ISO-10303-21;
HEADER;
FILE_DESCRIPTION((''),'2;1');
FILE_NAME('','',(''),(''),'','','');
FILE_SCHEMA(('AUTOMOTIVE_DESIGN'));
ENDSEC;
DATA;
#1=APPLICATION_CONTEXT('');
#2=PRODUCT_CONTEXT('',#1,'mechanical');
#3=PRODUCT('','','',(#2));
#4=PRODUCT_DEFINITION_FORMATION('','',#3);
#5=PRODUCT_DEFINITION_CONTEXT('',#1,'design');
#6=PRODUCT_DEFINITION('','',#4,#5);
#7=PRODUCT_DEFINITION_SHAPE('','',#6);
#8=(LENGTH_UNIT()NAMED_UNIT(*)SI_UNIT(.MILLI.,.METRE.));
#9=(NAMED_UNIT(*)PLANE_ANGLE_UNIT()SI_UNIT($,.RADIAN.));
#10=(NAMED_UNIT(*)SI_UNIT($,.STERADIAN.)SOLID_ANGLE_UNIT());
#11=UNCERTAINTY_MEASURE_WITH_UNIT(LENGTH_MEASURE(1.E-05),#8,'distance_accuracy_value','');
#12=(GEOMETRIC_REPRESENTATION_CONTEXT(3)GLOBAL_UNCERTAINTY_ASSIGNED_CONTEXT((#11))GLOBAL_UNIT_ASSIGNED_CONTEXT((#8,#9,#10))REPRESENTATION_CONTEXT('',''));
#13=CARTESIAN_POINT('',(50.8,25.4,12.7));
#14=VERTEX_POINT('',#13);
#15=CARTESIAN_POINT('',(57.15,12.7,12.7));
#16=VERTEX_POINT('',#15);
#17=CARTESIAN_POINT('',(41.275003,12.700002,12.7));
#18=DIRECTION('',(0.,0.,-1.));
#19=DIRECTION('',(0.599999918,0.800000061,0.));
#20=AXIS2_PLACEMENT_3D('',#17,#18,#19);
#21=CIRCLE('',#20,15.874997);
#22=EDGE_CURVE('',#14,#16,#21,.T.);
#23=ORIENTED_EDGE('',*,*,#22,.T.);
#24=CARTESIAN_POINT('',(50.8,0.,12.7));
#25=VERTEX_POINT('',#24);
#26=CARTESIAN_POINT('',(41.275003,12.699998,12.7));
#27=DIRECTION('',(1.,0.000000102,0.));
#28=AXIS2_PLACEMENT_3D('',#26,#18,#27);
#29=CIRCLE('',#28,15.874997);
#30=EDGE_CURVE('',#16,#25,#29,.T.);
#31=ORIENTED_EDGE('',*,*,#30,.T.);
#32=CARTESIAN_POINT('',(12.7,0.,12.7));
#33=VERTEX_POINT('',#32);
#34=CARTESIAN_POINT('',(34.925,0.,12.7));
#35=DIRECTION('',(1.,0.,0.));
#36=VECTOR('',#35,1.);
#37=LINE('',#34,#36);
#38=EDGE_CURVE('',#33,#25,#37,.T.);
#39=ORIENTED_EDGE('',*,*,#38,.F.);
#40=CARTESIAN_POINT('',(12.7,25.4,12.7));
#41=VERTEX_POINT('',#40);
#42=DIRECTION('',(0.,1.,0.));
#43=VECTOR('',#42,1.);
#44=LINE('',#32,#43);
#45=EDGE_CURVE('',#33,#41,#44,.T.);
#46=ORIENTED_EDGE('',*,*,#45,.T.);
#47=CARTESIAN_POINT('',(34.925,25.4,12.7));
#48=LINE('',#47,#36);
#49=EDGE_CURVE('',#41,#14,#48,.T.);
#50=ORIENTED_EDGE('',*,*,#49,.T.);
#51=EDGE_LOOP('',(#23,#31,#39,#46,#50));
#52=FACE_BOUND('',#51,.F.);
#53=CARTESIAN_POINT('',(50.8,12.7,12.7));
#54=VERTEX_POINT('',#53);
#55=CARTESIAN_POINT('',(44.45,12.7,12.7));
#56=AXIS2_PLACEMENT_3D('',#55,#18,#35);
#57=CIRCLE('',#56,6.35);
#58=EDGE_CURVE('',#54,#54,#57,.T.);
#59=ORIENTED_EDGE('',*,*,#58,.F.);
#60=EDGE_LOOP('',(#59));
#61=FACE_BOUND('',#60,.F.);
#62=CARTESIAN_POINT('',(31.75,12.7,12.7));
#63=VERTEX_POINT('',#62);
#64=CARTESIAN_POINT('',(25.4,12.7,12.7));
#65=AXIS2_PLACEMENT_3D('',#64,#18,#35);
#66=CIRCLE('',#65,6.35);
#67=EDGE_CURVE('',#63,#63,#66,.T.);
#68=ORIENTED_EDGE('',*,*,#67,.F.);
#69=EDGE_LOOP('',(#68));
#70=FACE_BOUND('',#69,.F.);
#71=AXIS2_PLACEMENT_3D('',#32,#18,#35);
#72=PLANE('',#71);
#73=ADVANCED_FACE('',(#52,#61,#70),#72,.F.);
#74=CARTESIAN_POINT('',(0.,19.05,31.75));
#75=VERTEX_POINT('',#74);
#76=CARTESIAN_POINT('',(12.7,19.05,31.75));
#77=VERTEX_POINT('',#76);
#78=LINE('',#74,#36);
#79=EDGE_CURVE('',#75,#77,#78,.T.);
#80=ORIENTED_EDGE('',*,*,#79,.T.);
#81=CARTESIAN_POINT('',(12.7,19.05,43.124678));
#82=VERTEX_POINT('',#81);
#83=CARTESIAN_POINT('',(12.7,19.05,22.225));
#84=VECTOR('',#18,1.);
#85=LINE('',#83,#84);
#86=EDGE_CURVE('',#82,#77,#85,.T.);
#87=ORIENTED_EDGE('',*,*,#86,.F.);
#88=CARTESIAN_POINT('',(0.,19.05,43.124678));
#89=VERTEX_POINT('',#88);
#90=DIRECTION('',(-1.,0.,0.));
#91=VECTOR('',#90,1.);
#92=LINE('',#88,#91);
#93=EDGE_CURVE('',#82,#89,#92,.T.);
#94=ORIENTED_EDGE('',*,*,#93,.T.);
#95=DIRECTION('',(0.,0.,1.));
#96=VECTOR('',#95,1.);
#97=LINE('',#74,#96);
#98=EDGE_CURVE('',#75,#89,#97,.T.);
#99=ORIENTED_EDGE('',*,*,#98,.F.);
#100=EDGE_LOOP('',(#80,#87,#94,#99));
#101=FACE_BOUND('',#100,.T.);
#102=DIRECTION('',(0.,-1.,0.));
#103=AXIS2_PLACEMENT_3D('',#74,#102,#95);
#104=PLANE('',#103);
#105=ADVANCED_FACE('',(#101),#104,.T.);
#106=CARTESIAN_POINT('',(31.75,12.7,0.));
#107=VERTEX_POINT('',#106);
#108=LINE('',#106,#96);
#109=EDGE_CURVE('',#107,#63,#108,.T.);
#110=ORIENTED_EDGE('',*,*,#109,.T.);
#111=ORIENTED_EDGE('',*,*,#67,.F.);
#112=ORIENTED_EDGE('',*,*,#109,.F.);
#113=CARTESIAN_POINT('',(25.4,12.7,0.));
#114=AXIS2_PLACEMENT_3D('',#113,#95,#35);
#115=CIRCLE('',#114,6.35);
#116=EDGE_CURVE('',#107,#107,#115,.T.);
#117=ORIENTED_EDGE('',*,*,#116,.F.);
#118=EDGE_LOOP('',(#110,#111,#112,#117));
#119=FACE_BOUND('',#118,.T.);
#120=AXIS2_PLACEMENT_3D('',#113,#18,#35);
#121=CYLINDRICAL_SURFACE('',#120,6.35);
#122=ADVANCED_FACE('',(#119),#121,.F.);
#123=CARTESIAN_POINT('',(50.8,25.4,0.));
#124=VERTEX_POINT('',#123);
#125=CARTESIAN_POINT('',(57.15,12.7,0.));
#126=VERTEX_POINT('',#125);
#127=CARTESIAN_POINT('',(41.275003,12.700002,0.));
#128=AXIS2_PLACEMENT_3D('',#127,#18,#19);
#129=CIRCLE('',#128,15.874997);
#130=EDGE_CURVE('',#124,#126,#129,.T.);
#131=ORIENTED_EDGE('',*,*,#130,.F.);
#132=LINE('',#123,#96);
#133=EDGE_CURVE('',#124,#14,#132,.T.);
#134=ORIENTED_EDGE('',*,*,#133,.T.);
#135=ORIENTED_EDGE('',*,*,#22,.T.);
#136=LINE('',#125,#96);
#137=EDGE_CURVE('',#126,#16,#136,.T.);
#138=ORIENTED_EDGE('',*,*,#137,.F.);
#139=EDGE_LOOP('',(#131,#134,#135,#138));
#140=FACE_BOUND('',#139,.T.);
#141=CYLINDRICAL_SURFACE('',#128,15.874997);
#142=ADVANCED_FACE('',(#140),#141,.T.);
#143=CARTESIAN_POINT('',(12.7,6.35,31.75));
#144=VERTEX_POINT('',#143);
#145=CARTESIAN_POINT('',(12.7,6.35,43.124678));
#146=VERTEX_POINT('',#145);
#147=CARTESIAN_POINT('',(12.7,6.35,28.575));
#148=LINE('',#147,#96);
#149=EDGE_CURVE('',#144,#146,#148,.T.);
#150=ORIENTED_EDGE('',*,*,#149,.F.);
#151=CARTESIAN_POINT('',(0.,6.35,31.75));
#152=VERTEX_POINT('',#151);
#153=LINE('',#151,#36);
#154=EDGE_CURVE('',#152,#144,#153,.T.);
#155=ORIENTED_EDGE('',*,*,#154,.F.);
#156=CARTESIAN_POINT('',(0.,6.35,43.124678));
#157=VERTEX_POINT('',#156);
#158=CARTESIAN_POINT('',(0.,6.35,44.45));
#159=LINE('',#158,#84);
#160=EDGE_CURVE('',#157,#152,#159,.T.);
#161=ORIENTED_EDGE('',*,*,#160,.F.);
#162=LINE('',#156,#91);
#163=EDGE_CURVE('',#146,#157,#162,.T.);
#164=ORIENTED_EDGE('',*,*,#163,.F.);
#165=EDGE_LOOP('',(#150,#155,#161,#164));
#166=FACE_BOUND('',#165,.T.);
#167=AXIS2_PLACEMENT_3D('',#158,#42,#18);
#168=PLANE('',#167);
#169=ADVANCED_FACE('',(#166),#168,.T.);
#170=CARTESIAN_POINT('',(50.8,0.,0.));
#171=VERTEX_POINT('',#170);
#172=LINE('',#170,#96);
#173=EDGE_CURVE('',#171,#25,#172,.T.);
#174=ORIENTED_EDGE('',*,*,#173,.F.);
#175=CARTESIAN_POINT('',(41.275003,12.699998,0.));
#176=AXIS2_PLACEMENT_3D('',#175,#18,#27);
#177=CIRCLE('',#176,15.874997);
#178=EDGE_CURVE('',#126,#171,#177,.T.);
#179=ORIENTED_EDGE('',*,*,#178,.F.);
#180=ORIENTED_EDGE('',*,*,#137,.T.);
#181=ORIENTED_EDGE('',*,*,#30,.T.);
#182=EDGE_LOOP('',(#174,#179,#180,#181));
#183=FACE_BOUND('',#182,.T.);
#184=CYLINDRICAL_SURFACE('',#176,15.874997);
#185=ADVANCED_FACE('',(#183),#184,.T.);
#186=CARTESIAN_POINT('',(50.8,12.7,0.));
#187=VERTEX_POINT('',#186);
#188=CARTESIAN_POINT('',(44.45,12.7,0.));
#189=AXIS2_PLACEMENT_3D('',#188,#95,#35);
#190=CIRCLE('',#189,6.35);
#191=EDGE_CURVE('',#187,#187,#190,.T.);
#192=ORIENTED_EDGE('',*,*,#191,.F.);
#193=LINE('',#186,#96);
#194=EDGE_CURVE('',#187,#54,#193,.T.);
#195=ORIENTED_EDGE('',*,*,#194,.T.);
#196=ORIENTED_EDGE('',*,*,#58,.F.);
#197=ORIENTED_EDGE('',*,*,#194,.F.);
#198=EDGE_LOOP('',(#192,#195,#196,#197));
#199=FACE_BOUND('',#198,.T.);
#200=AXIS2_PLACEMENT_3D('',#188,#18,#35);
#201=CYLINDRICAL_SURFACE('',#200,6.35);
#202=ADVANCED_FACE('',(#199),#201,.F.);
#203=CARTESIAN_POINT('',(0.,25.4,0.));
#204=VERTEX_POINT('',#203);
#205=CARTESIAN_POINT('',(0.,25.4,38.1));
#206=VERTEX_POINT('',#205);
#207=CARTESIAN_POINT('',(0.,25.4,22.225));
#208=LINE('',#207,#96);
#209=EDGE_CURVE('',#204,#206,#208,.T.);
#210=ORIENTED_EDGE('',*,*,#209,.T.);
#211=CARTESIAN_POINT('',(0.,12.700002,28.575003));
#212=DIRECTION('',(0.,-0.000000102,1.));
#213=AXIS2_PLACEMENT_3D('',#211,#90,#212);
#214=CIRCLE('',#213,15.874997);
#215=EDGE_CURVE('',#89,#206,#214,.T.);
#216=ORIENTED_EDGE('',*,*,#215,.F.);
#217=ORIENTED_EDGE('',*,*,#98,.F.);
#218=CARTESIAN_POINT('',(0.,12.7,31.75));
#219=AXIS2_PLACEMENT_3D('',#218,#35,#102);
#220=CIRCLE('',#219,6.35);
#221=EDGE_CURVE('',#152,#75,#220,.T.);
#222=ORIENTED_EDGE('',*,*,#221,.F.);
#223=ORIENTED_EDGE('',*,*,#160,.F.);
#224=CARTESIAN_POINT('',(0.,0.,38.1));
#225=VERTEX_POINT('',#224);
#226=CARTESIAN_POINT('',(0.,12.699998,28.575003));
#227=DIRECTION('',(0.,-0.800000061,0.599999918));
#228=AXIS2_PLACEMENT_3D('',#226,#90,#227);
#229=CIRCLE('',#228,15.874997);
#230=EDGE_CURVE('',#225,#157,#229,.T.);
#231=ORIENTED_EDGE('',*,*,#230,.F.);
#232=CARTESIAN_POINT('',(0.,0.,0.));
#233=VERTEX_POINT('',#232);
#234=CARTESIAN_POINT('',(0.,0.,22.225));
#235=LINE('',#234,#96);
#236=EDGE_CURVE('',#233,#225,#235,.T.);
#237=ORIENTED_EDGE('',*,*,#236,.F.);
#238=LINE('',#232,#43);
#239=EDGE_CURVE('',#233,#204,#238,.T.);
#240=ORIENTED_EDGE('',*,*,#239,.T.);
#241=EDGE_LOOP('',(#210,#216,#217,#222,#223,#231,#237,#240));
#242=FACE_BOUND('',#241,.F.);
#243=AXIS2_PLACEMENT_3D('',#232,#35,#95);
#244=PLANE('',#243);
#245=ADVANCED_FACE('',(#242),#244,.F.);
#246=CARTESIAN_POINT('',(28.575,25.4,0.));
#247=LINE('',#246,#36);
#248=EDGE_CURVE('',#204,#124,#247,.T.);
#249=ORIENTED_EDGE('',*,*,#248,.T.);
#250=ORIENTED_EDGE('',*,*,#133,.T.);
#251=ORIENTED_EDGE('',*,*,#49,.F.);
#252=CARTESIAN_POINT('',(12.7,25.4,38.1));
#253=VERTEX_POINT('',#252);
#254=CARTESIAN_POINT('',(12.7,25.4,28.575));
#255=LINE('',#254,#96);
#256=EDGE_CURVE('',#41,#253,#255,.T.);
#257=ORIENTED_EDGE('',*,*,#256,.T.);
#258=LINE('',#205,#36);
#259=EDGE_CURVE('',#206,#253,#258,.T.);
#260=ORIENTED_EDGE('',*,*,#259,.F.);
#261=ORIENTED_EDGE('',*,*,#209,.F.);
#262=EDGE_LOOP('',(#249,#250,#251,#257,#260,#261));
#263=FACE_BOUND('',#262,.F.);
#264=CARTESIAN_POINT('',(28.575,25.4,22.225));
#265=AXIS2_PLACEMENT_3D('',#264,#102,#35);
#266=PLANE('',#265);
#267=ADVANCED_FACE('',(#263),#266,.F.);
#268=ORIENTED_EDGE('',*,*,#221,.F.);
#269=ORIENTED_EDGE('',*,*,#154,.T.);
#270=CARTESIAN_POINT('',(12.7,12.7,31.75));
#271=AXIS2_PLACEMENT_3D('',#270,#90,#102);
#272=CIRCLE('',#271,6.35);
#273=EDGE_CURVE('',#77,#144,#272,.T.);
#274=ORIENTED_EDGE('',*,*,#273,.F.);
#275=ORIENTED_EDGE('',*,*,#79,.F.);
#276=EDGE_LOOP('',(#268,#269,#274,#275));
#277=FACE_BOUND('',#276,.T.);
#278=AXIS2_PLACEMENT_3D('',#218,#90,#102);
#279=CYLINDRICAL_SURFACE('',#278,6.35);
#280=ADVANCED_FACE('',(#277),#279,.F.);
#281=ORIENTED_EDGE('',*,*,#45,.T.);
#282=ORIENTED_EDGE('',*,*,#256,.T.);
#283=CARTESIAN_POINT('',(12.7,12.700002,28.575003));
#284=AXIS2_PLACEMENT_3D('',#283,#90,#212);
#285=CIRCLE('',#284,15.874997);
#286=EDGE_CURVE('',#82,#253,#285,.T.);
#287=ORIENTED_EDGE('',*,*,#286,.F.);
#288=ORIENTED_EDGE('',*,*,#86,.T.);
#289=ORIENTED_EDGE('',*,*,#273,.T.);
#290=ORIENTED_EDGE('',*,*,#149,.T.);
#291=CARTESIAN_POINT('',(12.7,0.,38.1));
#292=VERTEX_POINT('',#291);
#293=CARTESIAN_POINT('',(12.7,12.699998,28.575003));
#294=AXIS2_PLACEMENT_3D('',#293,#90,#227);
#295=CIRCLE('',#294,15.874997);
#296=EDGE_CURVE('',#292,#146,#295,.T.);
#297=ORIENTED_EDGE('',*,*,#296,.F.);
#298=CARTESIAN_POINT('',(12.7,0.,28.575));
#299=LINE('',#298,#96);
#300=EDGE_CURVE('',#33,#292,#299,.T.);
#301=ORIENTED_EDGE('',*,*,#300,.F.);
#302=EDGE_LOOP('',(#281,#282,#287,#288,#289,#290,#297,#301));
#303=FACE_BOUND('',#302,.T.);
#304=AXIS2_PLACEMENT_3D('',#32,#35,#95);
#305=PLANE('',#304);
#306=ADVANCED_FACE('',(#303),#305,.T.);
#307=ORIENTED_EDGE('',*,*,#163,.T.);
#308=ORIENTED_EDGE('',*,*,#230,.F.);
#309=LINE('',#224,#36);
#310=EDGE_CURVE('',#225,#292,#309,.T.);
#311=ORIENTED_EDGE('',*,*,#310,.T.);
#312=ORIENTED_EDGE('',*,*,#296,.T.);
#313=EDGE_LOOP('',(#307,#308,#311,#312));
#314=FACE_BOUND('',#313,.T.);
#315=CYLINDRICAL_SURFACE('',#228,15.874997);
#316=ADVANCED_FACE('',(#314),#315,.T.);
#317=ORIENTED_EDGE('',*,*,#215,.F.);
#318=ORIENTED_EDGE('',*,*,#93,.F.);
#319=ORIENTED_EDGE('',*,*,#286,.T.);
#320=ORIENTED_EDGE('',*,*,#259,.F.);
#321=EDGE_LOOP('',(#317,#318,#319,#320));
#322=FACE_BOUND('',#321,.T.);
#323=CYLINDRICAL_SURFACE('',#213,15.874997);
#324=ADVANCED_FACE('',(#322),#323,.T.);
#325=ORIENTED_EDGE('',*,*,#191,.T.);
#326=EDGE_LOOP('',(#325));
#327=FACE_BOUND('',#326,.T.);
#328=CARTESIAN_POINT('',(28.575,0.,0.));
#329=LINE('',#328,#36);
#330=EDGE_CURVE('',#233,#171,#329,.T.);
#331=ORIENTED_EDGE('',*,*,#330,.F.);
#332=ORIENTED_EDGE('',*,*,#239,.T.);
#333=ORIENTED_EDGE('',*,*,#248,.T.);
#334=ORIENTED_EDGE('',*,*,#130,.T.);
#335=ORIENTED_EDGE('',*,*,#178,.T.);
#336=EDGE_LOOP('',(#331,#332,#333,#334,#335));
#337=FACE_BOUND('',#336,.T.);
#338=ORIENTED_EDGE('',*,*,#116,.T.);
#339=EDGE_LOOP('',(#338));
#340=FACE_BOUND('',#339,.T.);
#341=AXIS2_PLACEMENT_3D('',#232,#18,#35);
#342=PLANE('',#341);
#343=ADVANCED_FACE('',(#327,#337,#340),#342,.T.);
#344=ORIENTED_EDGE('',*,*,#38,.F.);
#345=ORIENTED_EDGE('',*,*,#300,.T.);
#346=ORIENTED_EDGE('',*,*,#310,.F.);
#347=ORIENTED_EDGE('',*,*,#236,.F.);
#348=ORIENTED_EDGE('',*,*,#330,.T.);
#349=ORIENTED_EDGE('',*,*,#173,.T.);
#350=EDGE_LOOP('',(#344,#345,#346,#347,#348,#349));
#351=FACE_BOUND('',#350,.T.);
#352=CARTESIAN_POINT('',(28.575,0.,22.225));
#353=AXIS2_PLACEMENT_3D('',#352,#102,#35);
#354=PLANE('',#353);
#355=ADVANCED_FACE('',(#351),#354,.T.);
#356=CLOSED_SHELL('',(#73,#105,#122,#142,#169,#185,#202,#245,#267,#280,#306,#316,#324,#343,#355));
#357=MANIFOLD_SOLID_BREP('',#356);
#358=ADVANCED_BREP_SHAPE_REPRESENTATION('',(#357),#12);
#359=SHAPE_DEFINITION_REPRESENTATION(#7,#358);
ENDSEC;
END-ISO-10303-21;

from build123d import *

# Parameters (mm, degrees)
F0_W      = 57.15
F0_H      = 44.45
F1_DEPTH  = 25.4
F2_W      = 44.45
F2_H      = 31.75
F3_DEPTH  = 25.4
F5_DEPTH  = 25.4
F6_R      = 6.35
F7_DEPTH  = 25.4
F9_DEPTH  = 25.4
F11_DEPTH = 25.4


with BuildPart() as f1:
    # F0 (on Front) → F1 (new body)
    with BuildSketch(Plane.XZ):
        with Locations((28.575, 22.225)):
            Rectangle(F0_W, F0_H)
    extrude(amount=-F1_DEPTH)

    # F2 (on Front) → F3 (cut)
    with BuildSketch(Plane.XZ):
        with Locations((34.925, 28.575)):
            Rectangle(F2_W, F2_H)
    extrude(amount=-F3_DEPTH, mode=Mode.SUBTRACT)

    # F4 (on Top) → F5 (cut)
    with BuildSketch(Plane.XY):
        with BuildLine():
            ThreePointArc((50.8, 25.4), (55.474032, 19.799516), (57.15, 12.7))
            Line((57.15, 12.7), (57.15, 25.4))
            Line((57.15, 25.4), (50.8, 25.4))
        make_face()
        with BuildLine():
            ThreePointArc((57.15, 12.7), (55.474032, 5.600484), (50.8, 0))
            Line((50.8, 0), (57.15, 0))
            Line((57.15, 0), (57.15, 12.7))
        make_face()
    extrude(amount=F5_DEPTH, mode=Mode.SUBTRACT)

    # F6 (on Top) → F7 (cut)
    with BuildSketch(Plane.XY):
        with Locations((25.4, 12.7)):
            Circle(F6_R)
        with Locations((44.45, 12.7)):
            Circle(F6_R)
    extrude(amount=F7_DEPTH, mode=Mode.SUBTRACT)

    # F8 (on Right) → F9 (cut)
    with BuildSketch(Plane.YZ):
        with BuildLine():
            Line((19.05, 44.45), (6.35, 44.45))
            Line((6.35, 44.45), (6.35, 31.75))
            ThreePointArc((6.35, 31.75), (12.7, 25.4), (19.05, 31.75))
            Line((19.05, 31.75), (19.05, 44.45))
        make_face()
    extrude(amount=F9_DEPTH, mode=Mode.SUBTRACT)

    # F10 (on Right) → F11 (cut)
    with BuildSketch(Plane.YZ):
        with BuildLine():
            ThreePointArc((0, 38.1), (5.600484, 42.774032), (12.7, 44.45))
            Line((12.7, 44.45), (0, 44.45))
            Line((0, 44.45), (0, 38.1))
        make_face()
        with BuildLine():
            ThreePointArc((12.7, 44.45), (19.799516, 42.774032), (25.4, 38.1))
            Line((25.4, 38.1), (25.4, 44.45))
            Line((25.4, 44.45), (12.7, 44.45))
        make_face()
    extrude(amount=F11_DEPTH, mode=Mode.SUBTRACT)


solid = f1.part
